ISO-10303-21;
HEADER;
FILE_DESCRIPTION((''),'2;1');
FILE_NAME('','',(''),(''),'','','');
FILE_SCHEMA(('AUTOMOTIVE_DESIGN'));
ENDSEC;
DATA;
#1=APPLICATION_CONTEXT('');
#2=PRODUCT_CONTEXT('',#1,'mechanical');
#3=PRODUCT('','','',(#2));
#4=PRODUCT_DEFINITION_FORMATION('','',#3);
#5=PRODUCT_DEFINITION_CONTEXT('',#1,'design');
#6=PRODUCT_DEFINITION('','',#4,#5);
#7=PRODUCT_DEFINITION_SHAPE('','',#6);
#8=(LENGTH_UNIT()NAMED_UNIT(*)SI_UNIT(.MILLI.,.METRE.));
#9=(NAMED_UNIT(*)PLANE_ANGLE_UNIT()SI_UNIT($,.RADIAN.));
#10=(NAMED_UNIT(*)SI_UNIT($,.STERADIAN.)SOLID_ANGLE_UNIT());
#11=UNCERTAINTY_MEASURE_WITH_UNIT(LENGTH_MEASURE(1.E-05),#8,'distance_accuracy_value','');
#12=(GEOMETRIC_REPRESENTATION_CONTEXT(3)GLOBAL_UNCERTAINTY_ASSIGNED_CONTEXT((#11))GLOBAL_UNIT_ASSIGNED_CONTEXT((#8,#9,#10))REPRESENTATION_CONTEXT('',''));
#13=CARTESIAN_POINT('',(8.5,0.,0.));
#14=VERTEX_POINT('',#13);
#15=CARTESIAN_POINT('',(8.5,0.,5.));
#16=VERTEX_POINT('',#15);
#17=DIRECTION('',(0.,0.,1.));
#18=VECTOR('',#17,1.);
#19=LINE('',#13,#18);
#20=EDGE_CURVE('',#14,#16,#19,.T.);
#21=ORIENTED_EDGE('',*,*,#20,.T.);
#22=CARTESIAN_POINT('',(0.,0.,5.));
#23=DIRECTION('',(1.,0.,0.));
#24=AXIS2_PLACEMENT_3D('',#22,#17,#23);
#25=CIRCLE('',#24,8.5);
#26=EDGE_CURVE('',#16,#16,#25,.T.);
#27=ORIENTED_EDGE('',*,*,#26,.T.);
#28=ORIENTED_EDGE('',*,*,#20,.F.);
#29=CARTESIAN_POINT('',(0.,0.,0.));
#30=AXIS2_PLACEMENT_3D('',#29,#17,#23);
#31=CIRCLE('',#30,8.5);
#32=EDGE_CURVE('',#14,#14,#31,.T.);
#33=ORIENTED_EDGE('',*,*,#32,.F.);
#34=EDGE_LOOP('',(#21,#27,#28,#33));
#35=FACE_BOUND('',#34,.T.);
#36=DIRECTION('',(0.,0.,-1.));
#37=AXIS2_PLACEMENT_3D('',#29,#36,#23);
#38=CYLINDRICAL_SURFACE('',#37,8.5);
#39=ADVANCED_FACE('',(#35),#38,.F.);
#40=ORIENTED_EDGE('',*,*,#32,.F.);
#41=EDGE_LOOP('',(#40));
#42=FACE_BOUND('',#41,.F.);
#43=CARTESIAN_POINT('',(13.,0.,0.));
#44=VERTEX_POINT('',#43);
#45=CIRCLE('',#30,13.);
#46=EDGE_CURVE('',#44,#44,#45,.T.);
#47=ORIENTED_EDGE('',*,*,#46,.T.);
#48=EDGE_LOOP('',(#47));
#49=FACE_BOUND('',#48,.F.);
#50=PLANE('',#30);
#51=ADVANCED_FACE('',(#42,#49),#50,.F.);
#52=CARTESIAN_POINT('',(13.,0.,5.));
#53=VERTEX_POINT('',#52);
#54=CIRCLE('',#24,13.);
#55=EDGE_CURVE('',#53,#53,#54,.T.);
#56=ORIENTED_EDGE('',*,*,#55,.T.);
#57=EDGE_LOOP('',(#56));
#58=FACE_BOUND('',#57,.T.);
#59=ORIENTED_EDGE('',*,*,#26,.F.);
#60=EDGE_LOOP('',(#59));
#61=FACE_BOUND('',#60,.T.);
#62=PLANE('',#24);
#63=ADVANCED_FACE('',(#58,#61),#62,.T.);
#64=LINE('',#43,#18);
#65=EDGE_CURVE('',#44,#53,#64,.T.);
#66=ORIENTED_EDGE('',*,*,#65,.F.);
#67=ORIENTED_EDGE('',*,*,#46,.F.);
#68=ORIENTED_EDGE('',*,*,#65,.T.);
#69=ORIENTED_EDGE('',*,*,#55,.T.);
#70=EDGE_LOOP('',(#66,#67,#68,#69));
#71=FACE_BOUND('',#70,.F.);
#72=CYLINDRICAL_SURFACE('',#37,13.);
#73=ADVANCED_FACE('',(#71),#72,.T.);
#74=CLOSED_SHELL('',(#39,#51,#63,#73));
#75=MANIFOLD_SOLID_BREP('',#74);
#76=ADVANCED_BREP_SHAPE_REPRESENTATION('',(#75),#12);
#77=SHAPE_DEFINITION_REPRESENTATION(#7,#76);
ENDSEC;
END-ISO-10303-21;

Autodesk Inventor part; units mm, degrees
ref_plane "YZ Plane" through (0, 0, 0) normal (1, 0, 0) x (0, 1, 0)
ref_plane "XZ Plane" through (0, 0, 0) normal (0, 1, 0) x (-1, 0, 0)
ref_plane "XY Plane" through (0, 0, 0) normal (0, 0, 1) x (1, 0, 0)
sketch "Эскиз1" plane through (0, 0, 0) normal (0, 0, 1) x (1, 0, 0)
  circle A0 centre (0, 0) radius 13
  circle A1 centre (0, 0) radius 8.5
  dimension "d0" = 26
  dimension "d1" = 17
extrude "Выдавливание1" add sketch "Эскиз1" along normal blind 5
properties part number "bearing26175"
